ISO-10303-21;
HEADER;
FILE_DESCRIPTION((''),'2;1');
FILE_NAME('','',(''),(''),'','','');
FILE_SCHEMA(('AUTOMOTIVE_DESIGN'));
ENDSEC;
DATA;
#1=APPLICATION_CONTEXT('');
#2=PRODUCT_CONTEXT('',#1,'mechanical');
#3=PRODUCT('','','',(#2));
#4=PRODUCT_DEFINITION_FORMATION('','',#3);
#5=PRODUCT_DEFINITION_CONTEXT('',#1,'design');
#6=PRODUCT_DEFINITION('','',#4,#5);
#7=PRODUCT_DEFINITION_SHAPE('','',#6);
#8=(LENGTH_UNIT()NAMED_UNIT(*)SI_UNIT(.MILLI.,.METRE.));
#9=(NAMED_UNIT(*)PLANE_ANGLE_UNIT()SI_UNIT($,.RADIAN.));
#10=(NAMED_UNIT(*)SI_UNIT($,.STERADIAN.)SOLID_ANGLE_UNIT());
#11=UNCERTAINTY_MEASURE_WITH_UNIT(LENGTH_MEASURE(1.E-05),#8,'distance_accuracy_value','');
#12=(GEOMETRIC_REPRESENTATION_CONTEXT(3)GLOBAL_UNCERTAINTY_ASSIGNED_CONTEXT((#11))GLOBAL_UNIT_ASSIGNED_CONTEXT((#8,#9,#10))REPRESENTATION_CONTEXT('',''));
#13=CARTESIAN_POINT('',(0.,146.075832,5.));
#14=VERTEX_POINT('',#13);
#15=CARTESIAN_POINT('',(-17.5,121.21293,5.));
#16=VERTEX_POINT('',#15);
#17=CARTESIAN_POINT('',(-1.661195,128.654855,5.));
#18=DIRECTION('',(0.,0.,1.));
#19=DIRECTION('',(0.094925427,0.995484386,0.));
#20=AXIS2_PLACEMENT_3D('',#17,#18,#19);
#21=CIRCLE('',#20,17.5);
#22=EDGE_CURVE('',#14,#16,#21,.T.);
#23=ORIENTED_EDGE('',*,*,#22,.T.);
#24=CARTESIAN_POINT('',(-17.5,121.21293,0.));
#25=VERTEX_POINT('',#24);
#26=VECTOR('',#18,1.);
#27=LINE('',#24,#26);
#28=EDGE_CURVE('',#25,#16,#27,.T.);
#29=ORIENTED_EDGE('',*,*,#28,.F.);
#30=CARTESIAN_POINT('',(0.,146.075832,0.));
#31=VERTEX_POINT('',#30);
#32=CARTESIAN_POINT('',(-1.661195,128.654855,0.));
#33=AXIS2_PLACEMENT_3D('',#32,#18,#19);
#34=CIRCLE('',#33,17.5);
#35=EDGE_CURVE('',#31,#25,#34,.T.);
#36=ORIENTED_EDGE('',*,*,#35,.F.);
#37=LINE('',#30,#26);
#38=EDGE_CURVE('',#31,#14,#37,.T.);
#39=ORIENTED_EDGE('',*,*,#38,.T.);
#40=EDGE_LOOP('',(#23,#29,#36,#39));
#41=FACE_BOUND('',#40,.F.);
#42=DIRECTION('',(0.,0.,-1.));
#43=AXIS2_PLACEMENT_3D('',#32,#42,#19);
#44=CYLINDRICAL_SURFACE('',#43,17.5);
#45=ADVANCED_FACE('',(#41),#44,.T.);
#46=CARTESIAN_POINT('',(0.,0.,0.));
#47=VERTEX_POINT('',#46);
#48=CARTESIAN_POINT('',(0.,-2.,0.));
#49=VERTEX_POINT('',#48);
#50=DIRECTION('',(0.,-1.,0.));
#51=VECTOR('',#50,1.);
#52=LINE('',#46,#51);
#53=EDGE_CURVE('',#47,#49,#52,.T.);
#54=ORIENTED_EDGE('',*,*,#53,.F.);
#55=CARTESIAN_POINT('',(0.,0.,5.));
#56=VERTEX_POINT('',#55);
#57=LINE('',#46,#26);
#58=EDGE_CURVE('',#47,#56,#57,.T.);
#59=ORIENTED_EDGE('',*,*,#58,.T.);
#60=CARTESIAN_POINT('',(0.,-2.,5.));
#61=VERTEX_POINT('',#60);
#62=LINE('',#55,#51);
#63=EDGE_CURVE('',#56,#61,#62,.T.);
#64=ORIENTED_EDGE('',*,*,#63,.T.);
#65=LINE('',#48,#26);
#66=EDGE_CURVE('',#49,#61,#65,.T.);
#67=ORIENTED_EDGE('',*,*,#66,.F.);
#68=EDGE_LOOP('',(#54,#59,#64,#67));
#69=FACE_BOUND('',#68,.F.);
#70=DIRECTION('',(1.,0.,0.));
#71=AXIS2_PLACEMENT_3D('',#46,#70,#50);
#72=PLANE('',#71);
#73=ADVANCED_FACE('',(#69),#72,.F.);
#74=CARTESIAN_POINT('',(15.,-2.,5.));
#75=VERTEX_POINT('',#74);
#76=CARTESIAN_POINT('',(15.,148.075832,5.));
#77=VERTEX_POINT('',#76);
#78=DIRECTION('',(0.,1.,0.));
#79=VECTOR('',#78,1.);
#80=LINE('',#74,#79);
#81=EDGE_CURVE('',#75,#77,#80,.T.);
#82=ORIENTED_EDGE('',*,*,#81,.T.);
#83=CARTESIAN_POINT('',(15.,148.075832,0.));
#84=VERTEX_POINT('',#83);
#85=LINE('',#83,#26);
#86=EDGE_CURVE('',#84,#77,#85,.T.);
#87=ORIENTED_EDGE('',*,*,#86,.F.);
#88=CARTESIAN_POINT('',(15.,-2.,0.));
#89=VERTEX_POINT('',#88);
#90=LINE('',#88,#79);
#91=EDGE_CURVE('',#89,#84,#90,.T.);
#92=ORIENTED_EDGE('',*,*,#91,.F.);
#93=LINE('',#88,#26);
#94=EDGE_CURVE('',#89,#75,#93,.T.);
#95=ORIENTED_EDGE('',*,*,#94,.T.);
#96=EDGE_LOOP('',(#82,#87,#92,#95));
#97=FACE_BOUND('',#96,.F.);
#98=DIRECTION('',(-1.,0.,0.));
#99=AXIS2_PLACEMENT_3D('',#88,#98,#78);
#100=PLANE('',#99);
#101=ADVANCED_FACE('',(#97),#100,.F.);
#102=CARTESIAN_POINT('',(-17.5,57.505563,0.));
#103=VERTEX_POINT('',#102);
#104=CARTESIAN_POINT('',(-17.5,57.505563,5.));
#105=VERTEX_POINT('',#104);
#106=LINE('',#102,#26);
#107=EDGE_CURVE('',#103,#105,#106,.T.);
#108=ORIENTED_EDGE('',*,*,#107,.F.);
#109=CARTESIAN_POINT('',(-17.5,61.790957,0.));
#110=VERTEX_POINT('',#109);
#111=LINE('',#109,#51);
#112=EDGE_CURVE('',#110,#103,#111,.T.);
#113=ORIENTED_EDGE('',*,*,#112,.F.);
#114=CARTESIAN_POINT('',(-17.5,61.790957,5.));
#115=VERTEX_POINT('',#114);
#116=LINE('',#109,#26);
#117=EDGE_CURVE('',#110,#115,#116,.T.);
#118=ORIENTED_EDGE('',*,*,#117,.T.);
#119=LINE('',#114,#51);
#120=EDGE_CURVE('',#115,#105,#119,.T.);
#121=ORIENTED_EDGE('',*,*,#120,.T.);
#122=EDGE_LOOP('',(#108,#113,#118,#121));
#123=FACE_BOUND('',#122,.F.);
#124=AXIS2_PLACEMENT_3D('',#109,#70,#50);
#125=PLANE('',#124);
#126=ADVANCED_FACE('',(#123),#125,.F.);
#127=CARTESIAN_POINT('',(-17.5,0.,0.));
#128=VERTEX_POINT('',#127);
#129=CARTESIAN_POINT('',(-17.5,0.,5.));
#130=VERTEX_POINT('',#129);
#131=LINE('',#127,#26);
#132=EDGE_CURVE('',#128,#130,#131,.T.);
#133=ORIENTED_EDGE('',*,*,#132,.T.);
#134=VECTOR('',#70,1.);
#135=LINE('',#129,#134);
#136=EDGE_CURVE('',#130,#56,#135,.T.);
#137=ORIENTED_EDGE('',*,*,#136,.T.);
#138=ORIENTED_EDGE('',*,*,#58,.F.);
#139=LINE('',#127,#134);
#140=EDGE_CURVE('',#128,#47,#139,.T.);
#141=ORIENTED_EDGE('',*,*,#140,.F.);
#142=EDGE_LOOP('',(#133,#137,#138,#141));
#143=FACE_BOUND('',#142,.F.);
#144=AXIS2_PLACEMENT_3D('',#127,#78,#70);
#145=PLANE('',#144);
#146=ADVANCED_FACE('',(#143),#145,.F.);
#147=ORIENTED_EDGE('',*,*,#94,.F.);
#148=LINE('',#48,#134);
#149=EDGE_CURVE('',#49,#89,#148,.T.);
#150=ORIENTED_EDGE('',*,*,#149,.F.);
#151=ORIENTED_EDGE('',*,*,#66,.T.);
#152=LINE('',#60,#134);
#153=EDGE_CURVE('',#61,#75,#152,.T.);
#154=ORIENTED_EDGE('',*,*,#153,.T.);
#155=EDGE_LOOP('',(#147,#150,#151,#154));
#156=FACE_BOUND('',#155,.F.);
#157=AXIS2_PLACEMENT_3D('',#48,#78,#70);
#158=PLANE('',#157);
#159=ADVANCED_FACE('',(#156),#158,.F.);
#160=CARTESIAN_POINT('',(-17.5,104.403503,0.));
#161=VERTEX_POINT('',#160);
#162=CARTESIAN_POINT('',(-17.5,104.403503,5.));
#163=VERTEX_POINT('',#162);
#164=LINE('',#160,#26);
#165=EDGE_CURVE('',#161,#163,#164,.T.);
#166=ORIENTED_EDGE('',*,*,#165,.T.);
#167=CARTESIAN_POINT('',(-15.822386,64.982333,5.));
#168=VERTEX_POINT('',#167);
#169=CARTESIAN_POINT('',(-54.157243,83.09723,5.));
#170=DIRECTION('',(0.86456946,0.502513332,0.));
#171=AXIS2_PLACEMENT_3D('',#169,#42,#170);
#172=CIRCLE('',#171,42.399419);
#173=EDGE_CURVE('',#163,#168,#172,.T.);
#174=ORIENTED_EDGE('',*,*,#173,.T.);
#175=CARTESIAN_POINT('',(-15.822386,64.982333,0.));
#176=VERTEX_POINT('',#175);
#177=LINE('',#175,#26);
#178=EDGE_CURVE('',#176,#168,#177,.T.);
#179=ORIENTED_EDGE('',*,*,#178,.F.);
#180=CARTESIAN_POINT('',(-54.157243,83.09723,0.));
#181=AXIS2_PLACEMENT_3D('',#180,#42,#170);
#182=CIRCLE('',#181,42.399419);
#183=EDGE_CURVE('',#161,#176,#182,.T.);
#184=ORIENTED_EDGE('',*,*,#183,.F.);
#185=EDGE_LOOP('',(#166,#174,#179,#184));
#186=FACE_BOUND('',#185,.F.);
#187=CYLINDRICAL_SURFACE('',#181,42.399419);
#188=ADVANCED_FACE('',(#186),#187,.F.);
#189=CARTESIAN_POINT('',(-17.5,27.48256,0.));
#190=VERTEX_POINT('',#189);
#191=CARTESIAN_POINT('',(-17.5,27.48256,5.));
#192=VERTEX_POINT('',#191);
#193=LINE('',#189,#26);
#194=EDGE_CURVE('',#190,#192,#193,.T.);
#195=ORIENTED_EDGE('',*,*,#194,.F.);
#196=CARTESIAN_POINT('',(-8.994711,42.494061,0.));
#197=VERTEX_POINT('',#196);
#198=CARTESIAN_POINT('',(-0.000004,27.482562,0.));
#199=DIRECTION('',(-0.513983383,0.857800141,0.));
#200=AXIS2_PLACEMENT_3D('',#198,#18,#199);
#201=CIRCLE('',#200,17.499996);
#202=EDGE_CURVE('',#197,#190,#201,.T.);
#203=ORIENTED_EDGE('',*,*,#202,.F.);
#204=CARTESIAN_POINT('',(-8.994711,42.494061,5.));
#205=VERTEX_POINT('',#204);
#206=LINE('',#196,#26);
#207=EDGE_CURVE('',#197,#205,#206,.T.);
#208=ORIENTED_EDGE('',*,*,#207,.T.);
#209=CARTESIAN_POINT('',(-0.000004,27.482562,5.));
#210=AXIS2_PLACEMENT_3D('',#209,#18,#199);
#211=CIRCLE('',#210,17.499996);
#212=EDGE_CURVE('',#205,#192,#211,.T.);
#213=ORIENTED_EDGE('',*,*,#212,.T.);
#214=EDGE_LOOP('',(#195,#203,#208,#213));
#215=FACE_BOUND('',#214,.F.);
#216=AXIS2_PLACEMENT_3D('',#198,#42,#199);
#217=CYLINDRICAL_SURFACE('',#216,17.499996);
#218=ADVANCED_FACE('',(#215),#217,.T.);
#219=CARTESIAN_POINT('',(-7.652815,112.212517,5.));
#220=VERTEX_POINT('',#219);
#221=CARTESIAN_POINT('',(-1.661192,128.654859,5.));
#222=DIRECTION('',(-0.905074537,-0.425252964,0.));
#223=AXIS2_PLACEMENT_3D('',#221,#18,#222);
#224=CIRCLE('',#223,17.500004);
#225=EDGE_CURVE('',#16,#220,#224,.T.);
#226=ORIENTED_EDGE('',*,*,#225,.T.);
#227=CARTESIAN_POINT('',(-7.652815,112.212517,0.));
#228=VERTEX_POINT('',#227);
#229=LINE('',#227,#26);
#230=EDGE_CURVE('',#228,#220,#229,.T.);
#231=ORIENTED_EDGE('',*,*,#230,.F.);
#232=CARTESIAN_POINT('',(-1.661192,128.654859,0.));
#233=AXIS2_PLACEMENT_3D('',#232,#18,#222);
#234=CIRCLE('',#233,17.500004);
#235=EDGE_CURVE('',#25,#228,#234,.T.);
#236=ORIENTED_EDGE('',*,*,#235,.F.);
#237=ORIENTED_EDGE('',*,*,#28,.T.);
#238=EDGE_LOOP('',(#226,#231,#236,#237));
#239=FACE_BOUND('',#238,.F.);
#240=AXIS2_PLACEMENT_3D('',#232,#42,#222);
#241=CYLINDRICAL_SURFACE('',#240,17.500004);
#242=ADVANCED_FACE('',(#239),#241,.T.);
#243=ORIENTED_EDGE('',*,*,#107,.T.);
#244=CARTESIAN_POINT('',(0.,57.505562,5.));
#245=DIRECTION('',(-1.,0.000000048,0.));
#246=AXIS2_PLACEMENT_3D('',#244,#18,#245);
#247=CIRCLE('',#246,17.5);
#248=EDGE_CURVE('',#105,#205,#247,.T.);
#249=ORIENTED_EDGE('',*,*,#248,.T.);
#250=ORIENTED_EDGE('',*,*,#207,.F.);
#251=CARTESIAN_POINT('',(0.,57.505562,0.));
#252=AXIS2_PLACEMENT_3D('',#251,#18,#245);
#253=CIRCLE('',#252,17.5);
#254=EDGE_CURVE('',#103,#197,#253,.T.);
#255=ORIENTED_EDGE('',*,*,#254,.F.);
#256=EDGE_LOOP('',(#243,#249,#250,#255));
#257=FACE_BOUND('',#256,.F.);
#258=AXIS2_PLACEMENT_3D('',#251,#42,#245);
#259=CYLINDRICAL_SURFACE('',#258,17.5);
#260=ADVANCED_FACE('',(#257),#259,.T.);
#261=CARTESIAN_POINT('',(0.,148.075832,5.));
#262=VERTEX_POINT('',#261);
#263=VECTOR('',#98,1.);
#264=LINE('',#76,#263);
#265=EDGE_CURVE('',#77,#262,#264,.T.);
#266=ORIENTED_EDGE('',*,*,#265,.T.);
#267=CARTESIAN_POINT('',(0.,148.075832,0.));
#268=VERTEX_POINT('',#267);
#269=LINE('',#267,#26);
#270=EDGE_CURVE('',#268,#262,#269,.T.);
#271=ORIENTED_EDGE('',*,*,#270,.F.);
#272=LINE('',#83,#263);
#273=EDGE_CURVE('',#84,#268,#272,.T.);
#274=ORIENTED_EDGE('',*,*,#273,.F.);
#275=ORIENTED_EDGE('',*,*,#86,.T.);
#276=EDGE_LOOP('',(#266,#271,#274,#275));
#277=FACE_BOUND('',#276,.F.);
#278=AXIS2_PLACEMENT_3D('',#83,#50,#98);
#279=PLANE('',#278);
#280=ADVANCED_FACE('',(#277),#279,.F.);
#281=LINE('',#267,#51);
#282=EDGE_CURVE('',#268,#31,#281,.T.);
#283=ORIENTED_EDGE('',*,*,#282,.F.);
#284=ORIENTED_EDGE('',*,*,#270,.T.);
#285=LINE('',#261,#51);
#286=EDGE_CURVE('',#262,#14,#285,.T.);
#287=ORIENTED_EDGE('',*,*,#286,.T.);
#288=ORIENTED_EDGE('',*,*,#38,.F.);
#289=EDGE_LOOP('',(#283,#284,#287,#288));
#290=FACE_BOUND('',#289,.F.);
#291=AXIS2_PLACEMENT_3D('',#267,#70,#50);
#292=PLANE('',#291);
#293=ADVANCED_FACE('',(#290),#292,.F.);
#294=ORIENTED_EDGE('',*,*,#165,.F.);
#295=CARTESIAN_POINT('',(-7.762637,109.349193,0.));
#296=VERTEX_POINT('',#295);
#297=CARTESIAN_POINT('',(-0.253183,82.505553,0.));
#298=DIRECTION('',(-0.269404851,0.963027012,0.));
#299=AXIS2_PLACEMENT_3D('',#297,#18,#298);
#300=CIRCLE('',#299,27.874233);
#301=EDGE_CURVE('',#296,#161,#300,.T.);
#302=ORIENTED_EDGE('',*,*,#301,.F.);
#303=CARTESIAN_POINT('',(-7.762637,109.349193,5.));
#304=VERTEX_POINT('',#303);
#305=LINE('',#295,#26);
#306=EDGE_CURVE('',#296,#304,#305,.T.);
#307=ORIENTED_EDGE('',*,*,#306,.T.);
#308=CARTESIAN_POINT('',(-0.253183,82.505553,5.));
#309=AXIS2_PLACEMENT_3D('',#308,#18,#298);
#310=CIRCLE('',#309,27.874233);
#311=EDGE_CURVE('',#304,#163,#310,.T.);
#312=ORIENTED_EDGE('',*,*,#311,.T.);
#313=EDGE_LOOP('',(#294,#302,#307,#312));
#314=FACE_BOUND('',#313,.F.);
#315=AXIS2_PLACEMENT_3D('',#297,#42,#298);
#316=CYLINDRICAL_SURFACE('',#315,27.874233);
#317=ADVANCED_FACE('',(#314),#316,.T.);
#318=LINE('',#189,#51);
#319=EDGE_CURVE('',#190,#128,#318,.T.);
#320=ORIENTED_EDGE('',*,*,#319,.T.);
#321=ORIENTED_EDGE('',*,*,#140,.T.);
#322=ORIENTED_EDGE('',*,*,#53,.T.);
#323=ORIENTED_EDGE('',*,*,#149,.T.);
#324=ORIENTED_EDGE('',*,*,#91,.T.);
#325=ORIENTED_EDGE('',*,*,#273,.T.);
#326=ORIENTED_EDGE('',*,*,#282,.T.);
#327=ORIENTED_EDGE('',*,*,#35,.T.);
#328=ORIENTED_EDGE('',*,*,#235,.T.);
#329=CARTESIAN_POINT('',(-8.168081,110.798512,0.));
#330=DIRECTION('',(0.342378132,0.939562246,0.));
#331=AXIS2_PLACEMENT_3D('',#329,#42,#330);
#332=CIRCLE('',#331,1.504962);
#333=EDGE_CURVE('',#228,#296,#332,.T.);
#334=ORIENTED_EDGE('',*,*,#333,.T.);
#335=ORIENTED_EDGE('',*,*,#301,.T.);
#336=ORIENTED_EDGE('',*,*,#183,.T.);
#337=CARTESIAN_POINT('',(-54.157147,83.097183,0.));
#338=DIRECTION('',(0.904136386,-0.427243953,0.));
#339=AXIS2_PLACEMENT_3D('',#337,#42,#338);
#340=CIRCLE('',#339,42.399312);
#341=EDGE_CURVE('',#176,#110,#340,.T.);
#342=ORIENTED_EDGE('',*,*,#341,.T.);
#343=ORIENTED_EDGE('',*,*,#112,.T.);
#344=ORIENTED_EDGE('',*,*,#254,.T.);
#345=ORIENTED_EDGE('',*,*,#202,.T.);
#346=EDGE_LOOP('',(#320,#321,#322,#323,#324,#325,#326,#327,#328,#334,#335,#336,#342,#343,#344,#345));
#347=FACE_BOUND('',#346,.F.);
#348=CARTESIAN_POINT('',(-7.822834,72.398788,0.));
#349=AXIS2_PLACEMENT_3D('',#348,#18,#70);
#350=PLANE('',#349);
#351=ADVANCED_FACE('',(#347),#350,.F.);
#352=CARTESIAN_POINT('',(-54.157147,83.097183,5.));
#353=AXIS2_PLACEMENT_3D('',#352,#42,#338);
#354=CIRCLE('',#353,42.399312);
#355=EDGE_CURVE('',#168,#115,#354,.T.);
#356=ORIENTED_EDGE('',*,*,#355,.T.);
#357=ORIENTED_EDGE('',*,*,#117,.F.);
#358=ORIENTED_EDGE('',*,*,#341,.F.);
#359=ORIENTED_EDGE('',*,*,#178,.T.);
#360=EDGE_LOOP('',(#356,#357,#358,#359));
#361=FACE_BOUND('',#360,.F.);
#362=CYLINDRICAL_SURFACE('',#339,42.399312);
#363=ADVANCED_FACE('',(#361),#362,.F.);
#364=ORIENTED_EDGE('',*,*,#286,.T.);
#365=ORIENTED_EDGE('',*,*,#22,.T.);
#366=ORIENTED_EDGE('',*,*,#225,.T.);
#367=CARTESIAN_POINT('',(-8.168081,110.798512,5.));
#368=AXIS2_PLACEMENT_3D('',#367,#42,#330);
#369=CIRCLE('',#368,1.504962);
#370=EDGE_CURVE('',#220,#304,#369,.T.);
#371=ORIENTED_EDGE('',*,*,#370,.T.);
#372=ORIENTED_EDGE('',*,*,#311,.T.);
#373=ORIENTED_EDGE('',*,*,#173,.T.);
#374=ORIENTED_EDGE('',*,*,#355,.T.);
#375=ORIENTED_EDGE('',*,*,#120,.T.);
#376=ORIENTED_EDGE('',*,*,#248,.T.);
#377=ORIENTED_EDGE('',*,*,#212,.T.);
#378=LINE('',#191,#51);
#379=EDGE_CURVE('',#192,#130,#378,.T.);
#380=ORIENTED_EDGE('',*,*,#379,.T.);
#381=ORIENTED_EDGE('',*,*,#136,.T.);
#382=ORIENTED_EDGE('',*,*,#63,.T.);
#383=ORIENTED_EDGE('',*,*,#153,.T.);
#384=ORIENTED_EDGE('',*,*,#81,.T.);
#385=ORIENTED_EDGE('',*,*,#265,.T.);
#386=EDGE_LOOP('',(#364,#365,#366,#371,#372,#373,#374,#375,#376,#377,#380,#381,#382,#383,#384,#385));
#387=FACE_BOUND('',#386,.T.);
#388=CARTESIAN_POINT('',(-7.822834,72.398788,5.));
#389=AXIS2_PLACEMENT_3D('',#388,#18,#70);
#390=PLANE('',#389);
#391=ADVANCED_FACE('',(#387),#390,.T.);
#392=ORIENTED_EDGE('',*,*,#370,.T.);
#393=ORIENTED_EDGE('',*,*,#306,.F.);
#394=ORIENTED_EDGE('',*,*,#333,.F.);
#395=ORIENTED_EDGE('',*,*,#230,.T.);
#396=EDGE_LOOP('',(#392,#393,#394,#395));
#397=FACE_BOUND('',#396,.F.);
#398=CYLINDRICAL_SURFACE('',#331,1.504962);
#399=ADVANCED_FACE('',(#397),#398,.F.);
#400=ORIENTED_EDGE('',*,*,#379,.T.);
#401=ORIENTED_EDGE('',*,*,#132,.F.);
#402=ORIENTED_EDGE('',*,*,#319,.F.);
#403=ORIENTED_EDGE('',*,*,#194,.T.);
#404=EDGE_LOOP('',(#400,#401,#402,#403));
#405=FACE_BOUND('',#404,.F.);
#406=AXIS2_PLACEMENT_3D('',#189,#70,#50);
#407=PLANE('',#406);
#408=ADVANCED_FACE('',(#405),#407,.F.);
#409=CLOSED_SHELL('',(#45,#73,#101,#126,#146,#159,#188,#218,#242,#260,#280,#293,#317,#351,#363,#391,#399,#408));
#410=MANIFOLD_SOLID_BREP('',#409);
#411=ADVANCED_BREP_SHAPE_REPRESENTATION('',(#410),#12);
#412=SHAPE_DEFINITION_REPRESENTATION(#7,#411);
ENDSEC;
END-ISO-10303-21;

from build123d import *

# Parameters (mm, degrees)
F1_DEPTH = 5


with BuildPart() as f1:
    # F0 (on Top) → F1 (new body)
    with BuildSketch(Plane.XY):
        with BuildLine():
            Line((-17.5, 0), (0, 0))
            Line((0, 0), (0, 128.654855))
            Line((0, 128.654855), (0, 146.075832))
            ThreePointArc((0, 146.075832), (-15.971755, 138.727485), (-17.5, 121.21293))
            ThreePointArc((-17.5, 121.21293), (-13.467707, 115.73757), (-7.652815, 112.212517))
            ThreePointArc((-7.652815, 112.212517), (-6.664225, 110.740832), (-7.762637, 109.349193))
            ThreePointArc((-7.762637, 109.349193), (-12.875909, 107.357911), (-17.5, 104.403503))
            ThreePointArc((-17.5, 104.403503), (-11.796165, 84.899955), (-15.822386, 64.982333))
            ThreePointArc((-15.822386, 64.982333), (-17.075447, 61.336897), (-17.5, 57.505563))
            ThreePointArc((-17.5, 57.505563), (-15.225923, 48.878786), (-8.994711, 42.494061))
            ThreePointArc((-8.994711, 42.494061), (-15.225923, 36.109337), (-17.5, 27.48256))
            Line((-17.5, 27.48256), (-17.5, 0))
        make_face()
        Polygon((0, 128.654855), (0, 0), (0, -2), (15, -2), (15, 148.075832), (0, 148.075832), (0, 146.075832), align=None)
        with BuildLine():
            Line((-17.5, 61.790957), (-17.5, 57.505563))
            ThreePointArc((-17.5, 57.505563), (-17.075447, 61.336897), (-15.822386, 64.982333))
            ThreePointArc((-15.822386, 64.982333), (-16.627255, 63.368805), (-17.5, 61.790957))
        make_face()
    extrude(amount=F1_DEPTH)


solid = f1.part
